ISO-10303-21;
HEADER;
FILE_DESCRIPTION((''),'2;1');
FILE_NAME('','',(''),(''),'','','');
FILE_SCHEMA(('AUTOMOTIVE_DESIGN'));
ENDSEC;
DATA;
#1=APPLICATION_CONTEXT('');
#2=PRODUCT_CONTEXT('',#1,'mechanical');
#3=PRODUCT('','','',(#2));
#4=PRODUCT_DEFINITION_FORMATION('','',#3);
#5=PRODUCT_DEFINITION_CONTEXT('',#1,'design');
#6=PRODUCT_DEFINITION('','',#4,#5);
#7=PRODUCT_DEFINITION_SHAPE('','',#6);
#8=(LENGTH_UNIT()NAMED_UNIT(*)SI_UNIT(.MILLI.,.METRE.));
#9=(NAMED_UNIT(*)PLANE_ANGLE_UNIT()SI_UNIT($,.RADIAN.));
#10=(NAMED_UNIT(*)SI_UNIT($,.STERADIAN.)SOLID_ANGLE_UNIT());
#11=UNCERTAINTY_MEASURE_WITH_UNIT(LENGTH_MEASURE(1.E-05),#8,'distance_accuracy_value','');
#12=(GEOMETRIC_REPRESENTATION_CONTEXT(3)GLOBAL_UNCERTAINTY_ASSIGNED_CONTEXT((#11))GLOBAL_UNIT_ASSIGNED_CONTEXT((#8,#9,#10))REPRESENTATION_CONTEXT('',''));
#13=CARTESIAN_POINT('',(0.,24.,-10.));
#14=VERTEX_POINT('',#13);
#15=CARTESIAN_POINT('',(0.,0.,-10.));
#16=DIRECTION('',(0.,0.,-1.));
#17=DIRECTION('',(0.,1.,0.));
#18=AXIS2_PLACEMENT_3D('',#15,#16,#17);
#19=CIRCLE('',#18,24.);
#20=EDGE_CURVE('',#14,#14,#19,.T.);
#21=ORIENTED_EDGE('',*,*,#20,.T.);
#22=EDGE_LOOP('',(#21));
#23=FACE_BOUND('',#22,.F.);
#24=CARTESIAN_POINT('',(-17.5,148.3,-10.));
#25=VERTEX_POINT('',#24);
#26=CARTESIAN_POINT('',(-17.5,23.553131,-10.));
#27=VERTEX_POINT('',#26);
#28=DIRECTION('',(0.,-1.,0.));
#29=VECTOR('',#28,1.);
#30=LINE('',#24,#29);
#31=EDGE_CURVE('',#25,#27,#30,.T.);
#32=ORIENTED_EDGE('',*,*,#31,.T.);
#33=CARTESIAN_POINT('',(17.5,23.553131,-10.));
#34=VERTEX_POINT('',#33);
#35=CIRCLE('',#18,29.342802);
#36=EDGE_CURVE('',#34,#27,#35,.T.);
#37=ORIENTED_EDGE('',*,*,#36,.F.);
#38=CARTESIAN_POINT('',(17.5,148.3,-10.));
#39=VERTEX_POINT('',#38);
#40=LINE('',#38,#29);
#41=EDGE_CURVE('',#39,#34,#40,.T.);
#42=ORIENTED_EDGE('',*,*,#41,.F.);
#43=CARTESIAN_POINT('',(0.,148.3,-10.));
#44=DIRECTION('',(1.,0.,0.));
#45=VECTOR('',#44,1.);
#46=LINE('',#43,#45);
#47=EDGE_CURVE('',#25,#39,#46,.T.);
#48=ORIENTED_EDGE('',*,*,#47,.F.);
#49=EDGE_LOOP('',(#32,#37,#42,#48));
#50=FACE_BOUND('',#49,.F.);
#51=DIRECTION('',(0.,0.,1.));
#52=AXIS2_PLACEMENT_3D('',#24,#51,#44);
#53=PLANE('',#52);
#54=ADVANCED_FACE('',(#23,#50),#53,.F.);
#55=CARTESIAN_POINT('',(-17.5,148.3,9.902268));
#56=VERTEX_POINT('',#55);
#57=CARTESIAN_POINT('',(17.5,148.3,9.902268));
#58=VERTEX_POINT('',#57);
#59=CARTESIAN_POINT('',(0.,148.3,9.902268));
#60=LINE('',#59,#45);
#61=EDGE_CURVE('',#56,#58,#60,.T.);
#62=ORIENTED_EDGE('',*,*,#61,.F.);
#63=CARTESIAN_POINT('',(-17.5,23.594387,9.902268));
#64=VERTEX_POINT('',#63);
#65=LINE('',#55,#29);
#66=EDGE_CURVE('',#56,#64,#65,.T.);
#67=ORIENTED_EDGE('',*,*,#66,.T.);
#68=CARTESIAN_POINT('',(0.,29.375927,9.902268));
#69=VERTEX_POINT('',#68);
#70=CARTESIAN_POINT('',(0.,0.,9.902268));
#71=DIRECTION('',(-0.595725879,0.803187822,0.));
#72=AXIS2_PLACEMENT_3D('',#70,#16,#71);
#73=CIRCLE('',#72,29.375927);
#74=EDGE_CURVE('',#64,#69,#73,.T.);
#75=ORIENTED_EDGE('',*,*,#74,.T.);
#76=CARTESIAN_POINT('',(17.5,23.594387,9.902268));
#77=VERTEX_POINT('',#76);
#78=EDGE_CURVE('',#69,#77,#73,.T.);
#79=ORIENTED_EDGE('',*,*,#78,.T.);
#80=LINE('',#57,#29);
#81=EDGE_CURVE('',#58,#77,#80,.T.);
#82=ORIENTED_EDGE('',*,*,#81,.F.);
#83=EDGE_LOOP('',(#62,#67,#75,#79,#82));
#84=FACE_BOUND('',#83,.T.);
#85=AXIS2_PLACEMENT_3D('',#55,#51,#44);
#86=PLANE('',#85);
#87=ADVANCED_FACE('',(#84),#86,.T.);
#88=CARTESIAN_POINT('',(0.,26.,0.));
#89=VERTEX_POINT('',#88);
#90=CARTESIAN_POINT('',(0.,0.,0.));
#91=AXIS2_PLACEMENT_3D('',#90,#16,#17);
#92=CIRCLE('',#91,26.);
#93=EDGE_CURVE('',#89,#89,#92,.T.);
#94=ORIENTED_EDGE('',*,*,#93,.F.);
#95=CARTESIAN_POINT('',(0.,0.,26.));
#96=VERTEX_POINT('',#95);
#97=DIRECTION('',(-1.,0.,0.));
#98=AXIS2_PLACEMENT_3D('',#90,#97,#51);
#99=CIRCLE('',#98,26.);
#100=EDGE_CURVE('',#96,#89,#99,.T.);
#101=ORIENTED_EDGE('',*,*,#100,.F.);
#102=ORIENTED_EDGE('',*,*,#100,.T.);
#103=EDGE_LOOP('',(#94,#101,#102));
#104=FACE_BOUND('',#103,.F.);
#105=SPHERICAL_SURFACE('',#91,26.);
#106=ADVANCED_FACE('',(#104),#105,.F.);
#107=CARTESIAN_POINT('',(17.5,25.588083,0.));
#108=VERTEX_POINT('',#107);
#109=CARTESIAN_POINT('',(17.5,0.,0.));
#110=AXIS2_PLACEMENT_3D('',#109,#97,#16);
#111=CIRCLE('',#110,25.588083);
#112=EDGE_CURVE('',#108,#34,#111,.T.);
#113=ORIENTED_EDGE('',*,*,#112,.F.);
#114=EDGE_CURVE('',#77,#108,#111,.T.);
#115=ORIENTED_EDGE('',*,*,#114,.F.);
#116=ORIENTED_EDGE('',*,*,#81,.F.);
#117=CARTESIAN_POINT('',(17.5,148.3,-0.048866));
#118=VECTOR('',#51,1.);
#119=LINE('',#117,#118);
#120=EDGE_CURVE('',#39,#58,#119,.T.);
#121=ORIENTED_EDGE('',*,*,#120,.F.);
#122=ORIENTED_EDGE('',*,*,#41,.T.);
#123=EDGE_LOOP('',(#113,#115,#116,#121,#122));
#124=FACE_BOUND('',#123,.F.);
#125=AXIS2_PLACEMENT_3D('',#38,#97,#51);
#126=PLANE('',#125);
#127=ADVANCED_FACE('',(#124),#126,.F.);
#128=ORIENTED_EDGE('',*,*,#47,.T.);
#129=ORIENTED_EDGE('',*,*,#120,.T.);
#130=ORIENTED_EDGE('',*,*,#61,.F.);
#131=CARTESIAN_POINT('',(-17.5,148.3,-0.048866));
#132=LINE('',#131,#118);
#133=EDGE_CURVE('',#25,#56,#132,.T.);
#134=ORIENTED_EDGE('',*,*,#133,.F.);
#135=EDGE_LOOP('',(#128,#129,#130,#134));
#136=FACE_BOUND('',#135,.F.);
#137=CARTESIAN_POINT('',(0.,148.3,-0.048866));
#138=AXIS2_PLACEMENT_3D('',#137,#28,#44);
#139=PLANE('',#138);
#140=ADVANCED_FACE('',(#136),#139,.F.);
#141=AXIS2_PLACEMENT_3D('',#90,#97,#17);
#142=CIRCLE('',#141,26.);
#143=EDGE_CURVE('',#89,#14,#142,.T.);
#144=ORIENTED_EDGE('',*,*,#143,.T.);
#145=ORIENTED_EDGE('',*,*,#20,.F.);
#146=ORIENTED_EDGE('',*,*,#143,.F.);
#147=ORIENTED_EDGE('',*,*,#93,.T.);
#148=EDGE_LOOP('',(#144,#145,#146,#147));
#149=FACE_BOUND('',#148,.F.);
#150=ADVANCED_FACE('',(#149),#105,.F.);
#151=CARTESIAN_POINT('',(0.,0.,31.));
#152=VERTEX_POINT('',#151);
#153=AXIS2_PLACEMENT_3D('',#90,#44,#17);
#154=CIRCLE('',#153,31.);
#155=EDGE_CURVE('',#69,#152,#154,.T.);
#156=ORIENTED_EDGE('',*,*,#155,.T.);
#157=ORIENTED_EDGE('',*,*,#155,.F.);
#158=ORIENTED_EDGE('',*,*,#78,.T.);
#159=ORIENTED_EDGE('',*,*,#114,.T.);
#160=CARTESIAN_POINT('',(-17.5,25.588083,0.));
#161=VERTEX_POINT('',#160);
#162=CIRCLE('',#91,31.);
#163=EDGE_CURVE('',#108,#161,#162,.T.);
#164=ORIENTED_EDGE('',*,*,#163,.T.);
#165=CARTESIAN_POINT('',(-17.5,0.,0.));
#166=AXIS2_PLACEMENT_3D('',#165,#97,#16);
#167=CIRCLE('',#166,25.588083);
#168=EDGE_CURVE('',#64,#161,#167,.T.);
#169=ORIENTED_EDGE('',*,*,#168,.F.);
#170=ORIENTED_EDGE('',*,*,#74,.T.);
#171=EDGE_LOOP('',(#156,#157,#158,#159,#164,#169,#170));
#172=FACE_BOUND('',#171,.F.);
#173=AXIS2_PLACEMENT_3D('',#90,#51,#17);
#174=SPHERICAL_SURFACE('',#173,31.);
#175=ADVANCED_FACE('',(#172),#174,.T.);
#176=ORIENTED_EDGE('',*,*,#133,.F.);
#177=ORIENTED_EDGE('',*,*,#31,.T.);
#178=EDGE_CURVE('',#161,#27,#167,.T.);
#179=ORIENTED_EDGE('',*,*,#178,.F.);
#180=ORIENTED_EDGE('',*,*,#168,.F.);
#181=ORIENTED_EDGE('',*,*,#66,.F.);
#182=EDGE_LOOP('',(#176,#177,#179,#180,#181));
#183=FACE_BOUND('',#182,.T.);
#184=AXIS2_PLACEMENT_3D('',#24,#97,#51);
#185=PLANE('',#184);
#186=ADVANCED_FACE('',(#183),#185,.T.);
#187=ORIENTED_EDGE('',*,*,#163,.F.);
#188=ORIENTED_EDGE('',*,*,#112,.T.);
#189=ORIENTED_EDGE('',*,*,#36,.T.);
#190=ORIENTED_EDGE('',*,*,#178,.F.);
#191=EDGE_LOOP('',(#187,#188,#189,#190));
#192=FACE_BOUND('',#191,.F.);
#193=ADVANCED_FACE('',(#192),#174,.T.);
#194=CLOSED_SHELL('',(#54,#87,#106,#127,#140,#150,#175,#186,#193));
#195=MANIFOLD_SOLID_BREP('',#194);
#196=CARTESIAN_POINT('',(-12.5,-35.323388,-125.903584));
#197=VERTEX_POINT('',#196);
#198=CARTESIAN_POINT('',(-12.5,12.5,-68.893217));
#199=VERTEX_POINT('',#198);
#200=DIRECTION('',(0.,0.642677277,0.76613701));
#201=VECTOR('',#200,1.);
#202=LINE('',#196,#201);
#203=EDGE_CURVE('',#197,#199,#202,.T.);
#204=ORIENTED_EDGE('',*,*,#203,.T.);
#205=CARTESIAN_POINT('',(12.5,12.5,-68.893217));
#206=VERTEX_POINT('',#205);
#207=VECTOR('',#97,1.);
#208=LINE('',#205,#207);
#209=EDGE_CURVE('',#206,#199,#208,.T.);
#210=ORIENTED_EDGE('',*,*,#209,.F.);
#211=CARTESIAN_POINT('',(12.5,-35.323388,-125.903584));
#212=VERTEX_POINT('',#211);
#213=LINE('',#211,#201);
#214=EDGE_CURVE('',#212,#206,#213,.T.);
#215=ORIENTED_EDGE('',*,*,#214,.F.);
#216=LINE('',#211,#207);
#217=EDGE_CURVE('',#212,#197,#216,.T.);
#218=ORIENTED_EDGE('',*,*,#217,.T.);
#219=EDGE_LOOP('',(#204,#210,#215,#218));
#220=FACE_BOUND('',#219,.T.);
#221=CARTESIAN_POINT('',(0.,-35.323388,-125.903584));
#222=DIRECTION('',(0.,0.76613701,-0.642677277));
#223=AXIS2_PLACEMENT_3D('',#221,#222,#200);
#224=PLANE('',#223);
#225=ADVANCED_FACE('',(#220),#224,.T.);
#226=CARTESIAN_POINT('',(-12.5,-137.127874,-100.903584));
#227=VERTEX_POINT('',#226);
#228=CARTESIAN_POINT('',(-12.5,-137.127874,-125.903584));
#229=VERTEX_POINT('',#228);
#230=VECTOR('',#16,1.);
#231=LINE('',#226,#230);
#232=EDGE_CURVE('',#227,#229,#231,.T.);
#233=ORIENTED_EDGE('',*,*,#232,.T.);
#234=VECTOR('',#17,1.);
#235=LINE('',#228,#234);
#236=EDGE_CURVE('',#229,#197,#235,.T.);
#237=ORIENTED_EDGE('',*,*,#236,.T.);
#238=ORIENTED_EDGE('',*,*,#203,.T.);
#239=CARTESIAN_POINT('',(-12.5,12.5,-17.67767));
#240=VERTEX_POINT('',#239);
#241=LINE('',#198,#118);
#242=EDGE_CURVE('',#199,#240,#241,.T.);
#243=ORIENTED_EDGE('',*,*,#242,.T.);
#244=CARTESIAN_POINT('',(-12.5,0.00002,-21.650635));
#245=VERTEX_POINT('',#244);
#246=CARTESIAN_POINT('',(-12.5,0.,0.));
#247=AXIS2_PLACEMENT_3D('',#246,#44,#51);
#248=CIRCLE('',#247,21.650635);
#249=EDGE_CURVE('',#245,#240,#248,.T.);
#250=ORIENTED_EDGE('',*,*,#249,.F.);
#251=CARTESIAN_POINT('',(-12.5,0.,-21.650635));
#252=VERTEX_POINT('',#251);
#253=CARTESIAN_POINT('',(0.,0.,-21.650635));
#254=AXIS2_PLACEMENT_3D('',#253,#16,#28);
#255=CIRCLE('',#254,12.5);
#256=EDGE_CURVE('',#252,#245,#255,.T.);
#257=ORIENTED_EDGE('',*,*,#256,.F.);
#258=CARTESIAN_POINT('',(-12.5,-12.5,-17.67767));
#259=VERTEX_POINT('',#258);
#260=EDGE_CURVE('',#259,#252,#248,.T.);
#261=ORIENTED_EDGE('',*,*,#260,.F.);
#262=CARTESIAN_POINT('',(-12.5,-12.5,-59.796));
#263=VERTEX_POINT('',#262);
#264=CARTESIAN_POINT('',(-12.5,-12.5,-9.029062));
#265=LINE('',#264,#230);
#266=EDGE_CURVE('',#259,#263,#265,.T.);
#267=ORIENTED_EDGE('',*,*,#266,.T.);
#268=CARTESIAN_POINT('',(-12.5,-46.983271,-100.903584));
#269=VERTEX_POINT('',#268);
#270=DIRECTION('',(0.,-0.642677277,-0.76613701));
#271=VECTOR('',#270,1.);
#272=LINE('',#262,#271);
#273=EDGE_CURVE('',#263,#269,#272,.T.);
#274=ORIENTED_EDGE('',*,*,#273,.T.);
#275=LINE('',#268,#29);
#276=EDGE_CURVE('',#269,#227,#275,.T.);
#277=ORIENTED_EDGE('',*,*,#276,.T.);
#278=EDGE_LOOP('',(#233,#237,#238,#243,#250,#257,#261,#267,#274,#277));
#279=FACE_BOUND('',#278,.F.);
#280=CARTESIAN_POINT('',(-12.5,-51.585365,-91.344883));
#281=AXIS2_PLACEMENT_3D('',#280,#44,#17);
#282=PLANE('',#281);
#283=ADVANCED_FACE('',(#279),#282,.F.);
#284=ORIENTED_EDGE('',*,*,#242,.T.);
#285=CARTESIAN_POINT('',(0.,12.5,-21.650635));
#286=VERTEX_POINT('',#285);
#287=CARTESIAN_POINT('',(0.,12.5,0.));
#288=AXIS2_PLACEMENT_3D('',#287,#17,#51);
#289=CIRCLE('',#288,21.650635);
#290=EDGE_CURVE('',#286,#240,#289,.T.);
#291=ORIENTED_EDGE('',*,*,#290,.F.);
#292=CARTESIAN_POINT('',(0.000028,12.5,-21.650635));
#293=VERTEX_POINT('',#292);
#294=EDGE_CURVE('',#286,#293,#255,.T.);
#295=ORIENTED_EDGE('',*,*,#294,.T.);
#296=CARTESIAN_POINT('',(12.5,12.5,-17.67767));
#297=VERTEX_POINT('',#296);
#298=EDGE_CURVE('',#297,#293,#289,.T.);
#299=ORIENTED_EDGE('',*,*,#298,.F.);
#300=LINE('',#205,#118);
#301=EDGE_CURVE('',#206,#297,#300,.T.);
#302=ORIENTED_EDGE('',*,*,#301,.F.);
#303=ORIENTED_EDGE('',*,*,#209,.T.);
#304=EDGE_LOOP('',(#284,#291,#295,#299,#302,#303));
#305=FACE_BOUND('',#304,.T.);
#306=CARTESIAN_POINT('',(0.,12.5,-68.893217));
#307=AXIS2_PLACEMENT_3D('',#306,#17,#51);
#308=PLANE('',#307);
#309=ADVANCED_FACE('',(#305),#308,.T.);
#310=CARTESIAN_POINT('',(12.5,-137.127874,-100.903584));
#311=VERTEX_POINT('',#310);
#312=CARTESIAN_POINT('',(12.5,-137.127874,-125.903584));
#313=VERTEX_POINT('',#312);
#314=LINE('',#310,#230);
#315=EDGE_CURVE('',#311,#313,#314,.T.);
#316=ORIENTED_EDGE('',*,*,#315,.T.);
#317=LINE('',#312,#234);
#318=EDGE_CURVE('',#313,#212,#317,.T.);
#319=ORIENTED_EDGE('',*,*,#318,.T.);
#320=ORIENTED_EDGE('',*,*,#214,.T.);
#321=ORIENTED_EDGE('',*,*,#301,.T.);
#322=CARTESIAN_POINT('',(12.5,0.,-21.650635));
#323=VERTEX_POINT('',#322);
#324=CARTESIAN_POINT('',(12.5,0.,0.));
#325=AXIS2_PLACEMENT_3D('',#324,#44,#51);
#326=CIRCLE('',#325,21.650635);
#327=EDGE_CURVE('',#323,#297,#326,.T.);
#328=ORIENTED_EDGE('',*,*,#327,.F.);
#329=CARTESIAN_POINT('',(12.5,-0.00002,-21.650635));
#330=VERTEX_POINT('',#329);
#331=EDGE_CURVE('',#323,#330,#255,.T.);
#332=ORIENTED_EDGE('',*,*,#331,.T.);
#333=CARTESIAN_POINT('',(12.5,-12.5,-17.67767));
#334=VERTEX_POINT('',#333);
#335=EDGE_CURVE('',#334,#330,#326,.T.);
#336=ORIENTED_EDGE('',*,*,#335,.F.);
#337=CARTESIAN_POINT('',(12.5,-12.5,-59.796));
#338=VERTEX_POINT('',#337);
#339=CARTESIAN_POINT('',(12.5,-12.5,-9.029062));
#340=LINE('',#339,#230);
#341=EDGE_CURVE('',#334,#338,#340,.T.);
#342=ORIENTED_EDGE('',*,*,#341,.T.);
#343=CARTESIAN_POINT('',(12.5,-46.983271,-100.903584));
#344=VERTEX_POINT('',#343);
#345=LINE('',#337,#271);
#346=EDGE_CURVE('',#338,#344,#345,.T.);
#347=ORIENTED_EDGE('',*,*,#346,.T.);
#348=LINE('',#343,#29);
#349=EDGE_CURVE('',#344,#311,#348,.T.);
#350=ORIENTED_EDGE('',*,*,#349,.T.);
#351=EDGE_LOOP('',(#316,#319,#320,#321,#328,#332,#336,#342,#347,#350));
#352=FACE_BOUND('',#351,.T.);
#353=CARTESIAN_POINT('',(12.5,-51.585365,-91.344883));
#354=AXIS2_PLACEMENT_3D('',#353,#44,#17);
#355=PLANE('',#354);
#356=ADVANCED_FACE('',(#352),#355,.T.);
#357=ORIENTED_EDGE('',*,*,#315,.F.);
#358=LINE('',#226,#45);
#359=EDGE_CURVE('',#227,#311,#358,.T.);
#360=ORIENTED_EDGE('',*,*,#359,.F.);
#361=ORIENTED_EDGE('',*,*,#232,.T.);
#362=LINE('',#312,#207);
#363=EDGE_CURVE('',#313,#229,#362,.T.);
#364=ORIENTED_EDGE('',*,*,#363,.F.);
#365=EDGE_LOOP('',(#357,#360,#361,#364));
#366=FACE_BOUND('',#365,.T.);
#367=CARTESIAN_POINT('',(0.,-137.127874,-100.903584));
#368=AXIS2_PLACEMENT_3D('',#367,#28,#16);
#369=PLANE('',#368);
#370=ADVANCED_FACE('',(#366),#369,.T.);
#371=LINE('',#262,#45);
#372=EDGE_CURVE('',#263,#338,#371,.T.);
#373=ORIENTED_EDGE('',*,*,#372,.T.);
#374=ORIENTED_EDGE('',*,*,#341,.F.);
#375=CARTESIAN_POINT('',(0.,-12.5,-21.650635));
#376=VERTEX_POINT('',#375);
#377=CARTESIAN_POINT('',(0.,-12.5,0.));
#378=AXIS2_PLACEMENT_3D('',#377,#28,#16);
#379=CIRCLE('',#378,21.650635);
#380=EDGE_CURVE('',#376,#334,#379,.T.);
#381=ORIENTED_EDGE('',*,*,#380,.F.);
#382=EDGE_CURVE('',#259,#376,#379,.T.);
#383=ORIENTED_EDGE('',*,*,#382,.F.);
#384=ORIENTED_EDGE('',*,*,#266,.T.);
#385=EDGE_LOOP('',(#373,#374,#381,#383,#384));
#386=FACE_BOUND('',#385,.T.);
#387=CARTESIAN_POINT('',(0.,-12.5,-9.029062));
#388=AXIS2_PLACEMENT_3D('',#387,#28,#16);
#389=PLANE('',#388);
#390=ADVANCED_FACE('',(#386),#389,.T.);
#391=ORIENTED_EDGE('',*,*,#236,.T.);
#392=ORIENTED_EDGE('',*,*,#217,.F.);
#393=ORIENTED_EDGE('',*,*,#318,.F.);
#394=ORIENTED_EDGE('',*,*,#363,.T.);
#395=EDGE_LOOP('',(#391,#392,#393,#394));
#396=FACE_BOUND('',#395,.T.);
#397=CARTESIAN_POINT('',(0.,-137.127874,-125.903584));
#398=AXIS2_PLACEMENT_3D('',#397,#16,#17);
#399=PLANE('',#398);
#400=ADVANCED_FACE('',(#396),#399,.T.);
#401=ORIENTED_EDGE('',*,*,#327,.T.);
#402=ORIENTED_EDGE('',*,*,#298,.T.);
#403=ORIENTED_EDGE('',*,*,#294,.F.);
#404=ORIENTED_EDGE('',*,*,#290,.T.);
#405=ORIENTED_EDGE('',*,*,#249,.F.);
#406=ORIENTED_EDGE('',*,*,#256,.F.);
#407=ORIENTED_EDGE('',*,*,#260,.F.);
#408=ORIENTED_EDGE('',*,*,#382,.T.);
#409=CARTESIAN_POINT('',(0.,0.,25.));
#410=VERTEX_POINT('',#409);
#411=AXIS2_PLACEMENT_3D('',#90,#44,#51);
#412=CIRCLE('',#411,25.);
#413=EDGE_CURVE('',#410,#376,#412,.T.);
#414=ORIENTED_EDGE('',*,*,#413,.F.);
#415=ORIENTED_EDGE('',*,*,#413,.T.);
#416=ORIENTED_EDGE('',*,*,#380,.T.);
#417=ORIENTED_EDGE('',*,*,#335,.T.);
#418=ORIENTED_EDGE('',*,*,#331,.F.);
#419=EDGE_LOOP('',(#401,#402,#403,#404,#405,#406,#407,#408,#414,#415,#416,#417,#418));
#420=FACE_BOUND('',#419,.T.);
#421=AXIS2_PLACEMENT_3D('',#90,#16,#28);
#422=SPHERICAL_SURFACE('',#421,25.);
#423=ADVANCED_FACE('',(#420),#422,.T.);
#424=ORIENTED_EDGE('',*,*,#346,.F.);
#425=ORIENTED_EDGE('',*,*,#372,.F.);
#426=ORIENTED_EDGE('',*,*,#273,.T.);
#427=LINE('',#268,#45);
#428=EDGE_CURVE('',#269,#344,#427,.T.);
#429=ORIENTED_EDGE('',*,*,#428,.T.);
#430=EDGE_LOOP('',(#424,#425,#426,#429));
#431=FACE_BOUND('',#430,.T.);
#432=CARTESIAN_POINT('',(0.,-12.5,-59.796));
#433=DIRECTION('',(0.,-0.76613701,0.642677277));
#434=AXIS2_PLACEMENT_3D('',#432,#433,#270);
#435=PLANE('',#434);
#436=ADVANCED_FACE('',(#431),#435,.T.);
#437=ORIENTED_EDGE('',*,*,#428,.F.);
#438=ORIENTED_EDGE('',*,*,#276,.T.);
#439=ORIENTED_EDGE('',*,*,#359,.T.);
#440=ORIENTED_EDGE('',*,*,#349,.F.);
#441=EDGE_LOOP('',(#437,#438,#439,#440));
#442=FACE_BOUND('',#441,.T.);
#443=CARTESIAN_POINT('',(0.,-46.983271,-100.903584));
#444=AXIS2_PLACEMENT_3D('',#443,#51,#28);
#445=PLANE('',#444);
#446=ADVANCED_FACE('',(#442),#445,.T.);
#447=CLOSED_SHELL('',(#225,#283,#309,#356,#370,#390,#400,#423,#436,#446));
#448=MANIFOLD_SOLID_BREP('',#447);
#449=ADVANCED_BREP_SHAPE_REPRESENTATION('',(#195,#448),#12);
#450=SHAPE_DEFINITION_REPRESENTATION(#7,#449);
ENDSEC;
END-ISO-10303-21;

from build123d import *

# Parameters (mm, degrees)
F2_DEPTH = 12.5
F5_W     = 35
F5_H     = 19.9022677168


with BuildPart() as f1:
    # F0 (on Right) → F1 (revolve)
    with BuildSketch(Plane.YZ):
        with BuildLine():
            Line((0, -9.0290624648), (0, 25))
            ThreePointArc((0, 25), (-24.1481456572, 6.4704761276), (-12.5, -21.6506350946))
            Line((-12.5, -21.6506350946), (-12.5, -9.0290624648))
            Line((-12.5, -9.0290624648), (0, -9.0290624648))
        make_face()
        with BuildLine():
            ThreePointArc((-12.5, -21.6506350946), (-6.4704761276, -24.1481456572), (0, -25))
            Line((0, -25), (0, -9.0290624648))
            Line((0, -9.0290624648), (-12.5, -9.0290624648))
            Line((-12.5, -9.0290624648), (-12.5, -21.6506350946))
        make_face()
    revolve(axis=Axis((0, 0, 0), (0, 0, -1)))

    # F0 (on Right) → F2 (join, symmetric)
    with BuildSketch(Plane.YZ):
        with BuildLine():
            Line((12.5, -68.8932172369), (12.5, -28.368115905))
            ThreePointArc((12.5, -28.368115905), (6.3870340122, -30.3348940418), (0, -31))
            ThreePointArc((0, -31), (-6.3870340122, -30.3348940418), (-12.5, -28.368115905))
            Line((-12.5, -28.368115905), (-12.5, -59.7960000712))
            Line((-12.5, -59.7960000712), (-46.9832708318, -100.9035838498))
            Line((-46.9832708318, -100.9035838498), (-137.1278739958, -100.9035838498))
            Line((-137.1278739958, -100.9035838498), (-137.1278739958, -125.9035838498))
            Line((-137.1278739958, -125.9035838498), (-35.3233875949, -125.9035838498))
            Line((-35.3233875949, -125.9035838498), (12.5, -68.8932172369))
        make_face()
        with BuildLine():
            Line((12.5, -28.368115905), (12.5, -22.7980262304))
            ThreePointArc((12.5, -22.7980262304), (6.451795022, -25.1867890172), (0, -26))
            Line((0, -26), (0, -31))
            ThreePointArc((0, -31), (6.3870340122, -30.3348940418), (12.5, -28.368115905))
        make_face()
        with BuildLine():
            Line((0, -31), (0, -26))
            ThreePointArc((0, -26), (-6.451795022, -25.1867890172), (-12.5, -22.7980262304))
            Line((-12.5, -22.7980262304), (-12.5, -28.368115905))
            ThreePointArc((-12.5, -28.368115905), (-6.3870340122, -30.3348940418), (0, -31))
        make_face()
        with BuildLine():
            Line((0, -26), (0, -25))
            ThreePointArc((0, -25), (-6.4704761276, -24.1481456572), (-12.5, -21.6506350946))
            Line((-12.5, -21.6506350946), (-12.5, -22.7980262304))
            ThreePointArc((-12.5, -22.7980262304), (-6.451795022, -25.1867890172), (0, -26))
        make_face()
        with BuildLine():
            ThreePointArc((-12.5, -21.6506350946), (-6.4704761276, -24.1481456572), (0, -25))
            Line((0, -25), (0, -9.0290624648))
            Line((0, -9.0290624648), (-12.5, -9.0290624648))
            Line((-12.5, -9.0290624648), (-12.5, -21.6506350946))
        make_face()
        with BuildLine():
            ThreePointArc((0, -25), (6.4704761276, -24.1481456572), (12.5, -21.6506350946))
            Line((12.5, -21.6506350946), (12.5, -9.0290624648))
            Line((12.5, -9.0290624648), (0, -9.0290624648))
            Line((0, -9.0290624648), (0, -25))
        make_face()
        with BuildLine():
            Line((12.5, -22.7980262304), (12.5, -21.6506350946))
            ThreePointArc((12.5, -21.6506350946), (6.4704761276, -24.1481456572), (0, -25))
            Line((0, -25), (0, -26))
            ThreePointArc((0, -26), (6.451795022, -25.1867890172), (12.5, -22.7980262304))
        make_face()
    extrude(amount=F2_DEPTH, both=True)


with BuildPart() as f3:
    # F0 (on Right) → F3 (revolve)
    with BuildSketch(Plane.YZ):
        with BuildLine():
            ThreePointArc((26, 0), (25.495097568, -5.0990195136), (24, -10))
            Line((24, -10), (29.3428015022, -10))
            ThreePointArc((29.3428015022, -10), (30.5828942921, -5.0681926478), (31, 0))
            ThreePointArc((31, 0), (21.9203102168, 21.9203102168), (0, 31))
            Line((0, 31), (0, 26))
            ThreePointArc((0, 26), (18.3847763109, 18.3847763109), (26, 0))
        make_face()
    revolve(axis=Axis((0, 0, 0), (0, 0, -1)))

    # F5 (on offset) → F6 (join, up to the next surface of F3)
    with BuildSketch(Plane.XZ.offset(-148.3)):
        with Locations((0, -0.0488661416)):
            Rectangle(F5_W, F5_H)
    extrude(until=Until.NEXT)


solid = Compound([f1.part, f3.part])
